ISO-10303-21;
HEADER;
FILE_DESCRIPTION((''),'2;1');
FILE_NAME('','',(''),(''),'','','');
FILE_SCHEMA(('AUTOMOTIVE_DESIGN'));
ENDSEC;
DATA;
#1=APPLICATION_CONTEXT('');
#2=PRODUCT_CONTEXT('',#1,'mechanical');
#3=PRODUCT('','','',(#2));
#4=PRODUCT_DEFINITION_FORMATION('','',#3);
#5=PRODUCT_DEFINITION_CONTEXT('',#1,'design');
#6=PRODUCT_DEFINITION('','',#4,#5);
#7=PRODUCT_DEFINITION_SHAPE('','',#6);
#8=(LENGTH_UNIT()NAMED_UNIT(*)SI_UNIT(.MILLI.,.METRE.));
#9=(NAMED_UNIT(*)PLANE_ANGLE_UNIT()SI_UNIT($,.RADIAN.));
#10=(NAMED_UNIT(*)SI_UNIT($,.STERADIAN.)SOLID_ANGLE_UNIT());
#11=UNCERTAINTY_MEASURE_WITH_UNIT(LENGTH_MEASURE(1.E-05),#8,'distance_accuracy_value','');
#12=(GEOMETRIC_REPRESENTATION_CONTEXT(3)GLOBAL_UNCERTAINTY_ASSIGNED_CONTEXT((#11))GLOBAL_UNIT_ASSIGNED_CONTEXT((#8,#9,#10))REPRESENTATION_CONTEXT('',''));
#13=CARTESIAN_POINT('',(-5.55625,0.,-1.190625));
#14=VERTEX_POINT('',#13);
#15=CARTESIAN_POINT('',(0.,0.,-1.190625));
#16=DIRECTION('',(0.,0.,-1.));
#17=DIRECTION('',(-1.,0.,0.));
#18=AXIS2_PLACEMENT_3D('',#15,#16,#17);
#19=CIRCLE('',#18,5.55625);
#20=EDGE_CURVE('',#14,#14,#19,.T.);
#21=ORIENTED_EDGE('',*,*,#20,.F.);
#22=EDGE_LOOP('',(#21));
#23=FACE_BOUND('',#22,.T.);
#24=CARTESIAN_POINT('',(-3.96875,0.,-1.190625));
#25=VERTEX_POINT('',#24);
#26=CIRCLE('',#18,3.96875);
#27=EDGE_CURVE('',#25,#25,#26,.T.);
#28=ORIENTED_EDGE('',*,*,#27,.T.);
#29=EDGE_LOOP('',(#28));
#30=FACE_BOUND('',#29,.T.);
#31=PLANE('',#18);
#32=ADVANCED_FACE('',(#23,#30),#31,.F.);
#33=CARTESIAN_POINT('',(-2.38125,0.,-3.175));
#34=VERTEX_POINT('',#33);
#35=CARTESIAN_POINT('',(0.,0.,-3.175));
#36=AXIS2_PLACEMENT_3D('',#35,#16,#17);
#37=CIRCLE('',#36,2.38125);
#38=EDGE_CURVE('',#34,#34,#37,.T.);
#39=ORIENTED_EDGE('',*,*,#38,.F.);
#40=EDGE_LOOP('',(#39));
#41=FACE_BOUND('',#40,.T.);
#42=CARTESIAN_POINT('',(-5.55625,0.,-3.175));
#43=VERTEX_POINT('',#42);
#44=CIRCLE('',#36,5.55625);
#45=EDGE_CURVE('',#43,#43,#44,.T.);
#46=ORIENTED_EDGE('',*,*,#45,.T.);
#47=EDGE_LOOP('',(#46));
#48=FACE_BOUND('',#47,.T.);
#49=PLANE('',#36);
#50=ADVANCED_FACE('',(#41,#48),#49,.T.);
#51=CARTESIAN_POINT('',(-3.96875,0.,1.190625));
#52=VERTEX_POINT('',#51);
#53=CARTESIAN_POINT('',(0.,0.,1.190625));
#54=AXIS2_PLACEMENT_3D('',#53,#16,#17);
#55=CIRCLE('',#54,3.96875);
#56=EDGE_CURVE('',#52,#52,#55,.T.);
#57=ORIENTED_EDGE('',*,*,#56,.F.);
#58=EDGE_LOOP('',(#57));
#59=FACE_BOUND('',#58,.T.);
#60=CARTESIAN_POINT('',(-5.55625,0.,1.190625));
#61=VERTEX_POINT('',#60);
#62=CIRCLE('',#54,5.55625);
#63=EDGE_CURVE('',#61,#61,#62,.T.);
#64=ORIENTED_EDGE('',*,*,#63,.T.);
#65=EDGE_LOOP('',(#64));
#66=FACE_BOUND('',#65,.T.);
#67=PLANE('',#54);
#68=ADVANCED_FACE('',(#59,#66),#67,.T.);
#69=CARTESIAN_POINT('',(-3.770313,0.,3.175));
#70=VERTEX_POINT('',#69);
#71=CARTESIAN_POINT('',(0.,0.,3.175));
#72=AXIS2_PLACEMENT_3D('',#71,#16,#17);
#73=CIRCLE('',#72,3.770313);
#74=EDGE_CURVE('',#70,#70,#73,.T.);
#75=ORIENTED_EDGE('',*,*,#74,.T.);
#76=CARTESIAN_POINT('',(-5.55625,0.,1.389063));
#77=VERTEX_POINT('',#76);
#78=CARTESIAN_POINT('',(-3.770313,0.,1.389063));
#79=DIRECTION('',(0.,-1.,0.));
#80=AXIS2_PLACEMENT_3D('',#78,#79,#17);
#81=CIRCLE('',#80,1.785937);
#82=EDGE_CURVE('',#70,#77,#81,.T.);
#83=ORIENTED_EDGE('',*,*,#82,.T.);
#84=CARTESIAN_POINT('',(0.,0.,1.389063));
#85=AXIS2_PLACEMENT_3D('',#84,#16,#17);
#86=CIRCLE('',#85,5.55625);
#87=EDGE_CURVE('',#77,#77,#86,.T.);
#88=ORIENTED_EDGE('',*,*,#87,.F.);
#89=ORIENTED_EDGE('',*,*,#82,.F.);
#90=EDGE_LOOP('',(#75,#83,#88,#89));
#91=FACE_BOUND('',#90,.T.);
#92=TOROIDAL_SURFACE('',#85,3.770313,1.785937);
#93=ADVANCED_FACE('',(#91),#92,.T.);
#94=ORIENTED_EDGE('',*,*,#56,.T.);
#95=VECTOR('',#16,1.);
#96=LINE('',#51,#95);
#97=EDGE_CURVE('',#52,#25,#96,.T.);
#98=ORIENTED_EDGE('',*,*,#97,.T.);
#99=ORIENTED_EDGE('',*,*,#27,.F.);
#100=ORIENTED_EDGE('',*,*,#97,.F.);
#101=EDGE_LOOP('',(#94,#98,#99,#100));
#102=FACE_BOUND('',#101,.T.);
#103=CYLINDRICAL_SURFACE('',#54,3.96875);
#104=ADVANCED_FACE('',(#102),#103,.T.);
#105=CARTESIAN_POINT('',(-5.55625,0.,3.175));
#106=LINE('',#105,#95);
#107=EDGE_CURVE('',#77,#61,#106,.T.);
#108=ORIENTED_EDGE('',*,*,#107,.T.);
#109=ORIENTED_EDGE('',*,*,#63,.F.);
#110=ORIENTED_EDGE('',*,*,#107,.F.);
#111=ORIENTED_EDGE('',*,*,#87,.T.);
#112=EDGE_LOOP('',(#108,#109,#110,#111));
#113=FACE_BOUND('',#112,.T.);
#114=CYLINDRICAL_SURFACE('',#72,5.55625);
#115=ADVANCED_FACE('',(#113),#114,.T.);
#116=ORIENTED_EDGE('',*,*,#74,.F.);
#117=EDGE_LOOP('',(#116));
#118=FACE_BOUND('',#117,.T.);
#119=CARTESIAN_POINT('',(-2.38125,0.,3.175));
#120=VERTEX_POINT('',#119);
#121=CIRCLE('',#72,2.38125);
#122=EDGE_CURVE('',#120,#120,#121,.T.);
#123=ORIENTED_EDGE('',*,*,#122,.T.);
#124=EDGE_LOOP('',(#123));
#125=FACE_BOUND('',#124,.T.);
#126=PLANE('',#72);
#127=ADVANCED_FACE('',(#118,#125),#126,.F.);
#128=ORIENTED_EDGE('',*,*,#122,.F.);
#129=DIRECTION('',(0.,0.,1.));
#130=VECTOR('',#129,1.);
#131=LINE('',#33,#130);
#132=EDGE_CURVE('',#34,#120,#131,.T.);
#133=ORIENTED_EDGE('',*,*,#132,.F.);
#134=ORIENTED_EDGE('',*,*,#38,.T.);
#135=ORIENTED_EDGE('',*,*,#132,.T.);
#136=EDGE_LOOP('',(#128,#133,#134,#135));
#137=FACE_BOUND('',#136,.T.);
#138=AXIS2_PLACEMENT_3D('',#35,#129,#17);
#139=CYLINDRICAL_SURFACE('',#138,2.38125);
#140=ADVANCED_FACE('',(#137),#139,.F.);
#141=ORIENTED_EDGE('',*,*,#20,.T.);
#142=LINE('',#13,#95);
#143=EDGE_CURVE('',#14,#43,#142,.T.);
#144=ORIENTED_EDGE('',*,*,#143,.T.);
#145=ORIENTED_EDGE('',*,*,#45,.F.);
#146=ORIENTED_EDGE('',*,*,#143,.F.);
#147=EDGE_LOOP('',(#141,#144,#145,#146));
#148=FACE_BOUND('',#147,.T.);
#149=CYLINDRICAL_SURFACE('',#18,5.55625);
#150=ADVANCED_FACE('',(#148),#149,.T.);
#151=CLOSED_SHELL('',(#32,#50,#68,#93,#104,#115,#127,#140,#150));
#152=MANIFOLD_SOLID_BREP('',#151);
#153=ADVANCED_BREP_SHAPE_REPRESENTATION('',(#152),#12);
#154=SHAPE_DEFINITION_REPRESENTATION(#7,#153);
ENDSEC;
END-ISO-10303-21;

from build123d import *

# Parameters (mm, degrees)
F4_R = 1.7859375


with BuildPart() as f3:
    # F2 (on Front) → F3 (revolve)
    with BuildSketch(Plane.XZ):
        Polygon((-2.38125, -3.175), (-2.38125, 3.175), (-5.55625, 3.175), (-5.55625, 1.190625), (-3.96875, 1.190625), (-3.96875, -1.190625), (-5.55625, -1.190625), (-5.55625, -3.175), align=None)
    revolve(axis=Axis((0, 0, 0.0240590106), (0, 0, -1)))

    # F4
    f4_edges = [f3.edges().sort_by_distance(p)[0] for p in [
        (5.55625, 0, 3.175),
    ]]
    fillet(f4_edges, radius=F4_R)


solid = f3.part
